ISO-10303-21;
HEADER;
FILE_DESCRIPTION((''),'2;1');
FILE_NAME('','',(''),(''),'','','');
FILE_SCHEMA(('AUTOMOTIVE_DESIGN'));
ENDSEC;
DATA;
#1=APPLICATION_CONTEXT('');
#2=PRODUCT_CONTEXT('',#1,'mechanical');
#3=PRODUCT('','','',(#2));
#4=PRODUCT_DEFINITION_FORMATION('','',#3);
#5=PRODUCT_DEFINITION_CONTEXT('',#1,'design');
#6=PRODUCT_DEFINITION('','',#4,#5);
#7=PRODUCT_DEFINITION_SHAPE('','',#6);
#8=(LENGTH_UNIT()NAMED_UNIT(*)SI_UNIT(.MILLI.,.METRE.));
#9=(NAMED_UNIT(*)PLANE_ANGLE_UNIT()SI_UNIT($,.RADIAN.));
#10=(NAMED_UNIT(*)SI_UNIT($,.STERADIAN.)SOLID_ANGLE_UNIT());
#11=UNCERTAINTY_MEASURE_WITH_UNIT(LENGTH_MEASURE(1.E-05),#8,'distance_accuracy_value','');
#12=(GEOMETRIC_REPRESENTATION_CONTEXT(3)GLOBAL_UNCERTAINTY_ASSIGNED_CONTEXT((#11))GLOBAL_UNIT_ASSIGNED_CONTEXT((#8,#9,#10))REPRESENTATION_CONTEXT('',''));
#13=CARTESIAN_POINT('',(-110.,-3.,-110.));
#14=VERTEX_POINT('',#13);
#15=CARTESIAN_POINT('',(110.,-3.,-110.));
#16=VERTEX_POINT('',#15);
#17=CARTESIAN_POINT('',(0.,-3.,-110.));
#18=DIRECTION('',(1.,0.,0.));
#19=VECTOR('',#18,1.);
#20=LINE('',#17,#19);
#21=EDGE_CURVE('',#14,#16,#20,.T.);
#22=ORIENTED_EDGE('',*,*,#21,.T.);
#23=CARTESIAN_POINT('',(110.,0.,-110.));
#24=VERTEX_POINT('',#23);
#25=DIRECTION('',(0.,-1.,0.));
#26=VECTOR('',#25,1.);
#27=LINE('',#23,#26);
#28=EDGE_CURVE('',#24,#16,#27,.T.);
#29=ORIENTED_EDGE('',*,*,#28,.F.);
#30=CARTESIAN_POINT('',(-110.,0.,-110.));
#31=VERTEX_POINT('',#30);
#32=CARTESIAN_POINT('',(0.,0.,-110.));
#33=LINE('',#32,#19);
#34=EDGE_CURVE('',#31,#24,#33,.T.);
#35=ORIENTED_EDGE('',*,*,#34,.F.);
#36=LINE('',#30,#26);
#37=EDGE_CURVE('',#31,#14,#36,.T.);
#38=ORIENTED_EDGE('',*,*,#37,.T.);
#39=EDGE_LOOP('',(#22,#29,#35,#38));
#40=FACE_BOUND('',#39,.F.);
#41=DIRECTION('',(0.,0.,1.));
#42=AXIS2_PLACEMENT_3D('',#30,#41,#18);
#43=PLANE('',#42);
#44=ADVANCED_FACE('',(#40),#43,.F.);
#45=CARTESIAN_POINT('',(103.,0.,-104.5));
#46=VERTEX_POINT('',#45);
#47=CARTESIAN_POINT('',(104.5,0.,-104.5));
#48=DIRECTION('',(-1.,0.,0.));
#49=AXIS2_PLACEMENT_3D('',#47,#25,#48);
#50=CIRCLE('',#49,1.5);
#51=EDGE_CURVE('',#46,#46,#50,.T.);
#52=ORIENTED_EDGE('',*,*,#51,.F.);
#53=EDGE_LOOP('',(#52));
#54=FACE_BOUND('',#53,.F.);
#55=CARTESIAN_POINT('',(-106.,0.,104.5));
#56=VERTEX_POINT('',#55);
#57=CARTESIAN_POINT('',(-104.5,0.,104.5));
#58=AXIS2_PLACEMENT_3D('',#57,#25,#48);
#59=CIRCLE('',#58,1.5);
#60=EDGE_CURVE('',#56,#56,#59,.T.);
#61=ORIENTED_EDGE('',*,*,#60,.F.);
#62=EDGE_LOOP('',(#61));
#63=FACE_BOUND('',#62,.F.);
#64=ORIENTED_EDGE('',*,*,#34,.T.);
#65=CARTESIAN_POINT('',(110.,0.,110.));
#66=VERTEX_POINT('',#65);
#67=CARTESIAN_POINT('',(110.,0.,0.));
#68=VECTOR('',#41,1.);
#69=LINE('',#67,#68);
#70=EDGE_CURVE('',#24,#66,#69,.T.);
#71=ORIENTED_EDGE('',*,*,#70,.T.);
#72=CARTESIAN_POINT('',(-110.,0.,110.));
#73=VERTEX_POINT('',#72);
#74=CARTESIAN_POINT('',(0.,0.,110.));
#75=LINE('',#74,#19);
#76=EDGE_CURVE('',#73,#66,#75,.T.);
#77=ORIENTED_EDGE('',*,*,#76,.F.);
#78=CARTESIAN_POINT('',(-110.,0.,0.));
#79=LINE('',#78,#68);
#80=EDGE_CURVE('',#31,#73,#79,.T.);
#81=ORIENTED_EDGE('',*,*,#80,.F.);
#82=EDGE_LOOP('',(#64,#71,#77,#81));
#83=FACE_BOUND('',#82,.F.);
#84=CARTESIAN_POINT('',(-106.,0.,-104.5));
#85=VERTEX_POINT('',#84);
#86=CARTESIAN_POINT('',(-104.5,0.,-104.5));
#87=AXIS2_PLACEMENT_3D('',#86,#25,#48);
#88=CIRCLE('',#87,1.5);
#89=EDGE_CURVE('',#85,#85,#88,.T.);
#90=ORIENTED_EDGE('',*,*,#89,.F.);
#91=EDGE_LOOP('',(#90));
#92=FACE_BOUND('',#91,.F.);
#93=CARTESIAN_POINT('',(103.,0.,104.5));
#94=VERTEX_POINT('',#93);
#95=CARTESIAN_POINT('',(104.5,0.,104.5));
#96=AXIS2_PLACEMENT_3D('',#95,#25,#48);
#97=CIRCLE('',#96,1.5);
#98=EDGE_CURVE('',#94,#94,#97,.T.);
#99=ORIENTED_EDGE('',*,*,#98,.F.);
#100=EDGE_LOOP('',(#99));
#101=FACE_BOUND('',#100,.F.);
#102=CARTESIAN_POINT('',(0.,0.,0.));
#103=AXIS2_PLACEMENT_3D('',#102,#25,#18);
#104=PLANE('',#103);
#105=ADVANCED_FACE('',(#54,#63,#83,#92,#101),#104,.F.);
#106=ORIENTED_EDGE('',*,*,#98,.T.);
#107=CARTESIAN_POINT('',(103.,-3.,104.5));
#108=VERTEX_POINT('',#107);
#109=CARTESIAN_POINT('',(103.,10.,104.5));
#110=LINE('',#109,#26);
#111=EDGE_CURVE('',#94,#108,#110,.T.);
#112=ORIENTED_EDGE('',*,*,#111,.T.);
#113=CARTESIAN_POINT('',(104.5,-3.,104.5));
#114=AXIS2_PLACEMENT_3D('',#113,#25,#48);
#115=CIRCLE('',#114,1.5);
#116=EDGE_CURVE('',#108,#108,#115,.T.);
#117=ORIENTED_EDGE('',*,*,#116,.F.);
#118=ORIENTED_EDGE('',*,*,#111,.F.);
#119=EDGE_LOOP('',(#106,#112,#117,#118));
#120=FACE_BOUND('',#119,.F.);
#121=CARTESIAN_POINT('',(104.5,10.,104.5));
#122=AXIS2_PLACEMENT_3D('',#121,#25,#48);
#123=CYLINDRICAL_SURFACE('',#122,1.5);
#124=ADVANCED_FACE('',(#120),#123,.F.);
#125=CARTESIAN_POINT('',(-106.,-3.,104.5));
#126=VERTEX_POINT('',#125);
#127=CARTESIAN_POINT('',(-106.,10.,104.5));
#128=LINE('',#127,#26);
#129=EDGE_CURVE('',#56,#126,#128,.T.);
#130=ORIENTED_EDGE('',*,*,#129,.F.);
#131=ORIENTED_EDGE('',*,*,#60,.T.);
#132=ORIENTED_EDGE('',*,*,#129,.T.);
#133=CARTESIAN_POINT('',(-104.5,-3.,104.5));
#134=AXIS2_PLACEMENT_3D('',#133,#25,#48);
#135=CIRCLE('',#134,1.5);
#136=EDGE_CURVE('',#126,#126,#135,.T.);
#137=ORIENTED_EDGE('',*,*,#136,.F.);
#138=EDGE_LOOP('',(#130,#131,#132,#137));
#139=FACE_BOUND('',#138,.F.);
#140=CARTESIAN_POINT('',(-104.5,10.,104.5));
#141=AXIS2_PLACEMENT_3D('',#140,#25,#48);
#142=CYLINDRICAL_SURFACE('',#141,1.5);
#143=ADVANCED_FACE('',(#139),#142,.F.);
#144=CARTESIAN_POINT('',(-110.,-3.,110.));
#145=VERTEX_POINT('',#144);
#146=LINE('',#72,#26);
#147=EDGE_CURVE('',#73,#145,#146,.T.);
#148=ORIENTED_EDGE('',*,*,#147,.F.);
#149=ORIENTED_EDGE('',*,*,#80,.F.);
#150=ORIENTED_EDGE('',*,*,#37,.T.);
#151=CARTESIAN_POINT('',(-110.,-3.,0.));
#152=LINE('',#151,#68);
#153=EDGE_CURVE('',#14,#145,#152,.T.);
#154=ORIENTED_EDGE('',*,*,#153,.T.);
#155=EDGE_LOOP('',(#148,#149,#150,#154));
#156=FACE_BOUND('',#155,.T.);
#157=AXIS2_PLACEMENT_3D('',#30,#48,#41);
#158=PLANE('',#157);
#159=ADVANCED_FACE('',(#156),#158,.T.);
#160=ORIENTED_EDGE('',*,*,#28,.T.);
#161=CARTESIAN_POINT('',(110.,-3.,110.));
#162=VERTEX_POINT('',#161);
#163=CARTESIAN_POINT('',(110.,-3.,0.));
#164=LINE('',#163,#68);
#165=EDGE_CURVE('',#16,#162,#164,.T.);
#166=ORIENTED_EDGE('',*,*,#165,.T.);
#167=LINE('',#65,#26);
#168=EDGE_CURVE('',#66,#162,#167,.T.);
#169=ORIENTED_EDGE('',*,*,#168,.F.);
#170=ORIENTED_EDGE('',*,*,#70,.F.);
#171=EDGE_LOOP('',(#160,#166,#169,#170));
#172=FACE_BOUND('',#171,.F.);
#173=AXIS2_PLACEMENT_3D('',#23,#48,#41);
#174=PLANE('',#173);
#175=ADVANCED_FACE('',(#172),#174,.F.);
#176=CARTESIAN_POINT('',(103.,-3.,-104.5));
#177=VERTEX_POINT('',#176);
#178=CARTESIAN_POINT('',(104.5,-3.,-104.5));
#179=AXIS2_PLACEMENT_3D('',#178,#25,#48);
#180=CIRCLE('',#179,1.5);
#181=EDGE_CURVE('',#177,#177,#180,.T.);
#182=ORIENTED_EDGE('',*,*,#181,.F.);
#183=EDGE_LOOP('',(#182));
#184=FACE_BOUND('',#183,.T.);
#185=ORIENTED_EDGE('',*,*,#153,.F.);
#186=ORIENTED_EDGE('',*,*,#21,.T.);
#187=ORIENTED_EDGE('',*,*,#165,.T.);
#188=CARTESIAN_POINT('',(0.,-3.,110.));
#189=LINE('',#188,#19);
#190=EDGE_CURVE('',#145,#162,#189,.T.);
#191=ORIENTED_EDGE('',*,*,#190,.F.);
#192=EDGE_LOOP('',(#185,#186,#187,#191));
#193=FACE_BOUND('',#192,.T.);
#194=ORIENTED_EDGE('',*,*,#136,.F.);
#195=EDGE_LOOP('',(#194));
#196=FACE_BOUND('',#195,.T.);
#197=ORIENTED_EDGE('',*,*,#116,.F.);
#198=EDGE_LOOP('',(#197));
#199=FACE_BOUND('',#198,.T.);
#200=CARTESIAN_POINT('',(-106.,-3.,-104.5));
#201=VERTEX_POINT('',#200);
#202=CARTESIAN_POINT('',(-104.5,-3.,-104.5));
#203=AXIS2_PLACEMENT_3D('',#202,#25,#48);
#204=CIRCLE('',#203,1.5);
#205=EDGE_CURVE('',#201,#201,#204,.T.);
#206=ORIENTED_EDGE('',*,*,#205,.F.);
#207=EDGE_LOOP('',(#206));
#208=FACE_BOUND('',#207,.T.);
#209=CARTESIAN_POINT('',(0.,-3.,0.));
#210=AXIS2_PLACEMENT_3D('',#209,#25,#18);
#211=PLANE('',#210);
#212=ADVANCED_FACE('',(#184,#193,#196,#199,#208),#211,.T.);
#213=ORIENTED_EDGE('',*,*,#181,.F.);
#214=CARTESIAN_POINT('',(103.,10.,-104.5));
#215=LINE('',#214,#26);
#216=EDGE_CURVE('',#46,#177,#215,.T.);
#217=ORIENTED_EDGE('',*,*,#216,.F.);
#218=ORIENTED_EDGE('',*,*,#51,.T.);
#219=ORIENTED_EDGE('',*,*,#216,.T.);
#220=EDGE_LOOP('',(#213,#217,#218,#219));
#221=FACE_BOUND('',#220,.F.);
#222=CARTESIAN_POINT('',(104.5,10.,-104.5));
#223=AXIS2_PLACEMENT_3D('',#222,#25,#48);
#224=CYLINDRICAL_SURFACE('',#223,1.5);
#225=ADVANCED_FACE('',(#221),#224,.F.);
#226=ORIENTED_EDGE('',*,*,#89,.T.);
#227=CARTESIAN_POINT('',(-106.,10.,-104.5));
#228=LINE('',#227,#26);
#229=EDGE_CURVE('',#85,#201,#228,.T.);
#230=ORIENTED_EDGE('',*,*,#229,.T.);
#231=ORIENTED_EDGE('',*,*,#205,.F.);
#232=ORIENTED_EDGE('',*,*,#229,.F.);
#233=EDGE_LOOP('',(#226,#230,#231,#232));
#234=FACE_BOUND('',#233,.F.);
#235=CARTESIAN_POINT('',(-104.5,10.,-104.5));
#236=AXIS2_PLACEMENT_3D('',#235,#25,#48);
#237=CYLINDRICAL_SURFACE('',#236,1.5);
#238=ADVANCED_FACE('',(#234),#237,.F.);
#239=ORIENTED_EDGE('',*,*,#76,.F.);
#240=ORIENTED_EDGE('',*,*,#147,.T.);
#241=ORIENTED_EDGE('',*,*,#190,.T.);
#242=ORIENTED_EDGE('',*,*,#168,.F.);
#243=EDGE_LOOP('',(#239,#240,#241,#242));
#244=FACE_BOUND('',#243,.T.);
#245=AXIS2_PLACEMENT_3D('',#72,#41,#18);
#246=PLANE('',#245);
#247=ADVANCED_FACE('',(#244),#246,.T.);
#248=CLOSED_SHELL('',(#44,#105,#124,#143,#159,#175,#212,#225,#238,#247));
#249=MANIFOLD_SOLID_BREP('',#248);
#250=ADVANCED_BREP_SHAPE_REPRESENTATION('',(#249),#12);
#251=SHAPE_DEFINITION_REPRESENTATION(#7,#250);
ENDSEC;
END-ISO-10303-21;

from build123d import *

# Parameters (mm, degrees)
F0_W     = 220
F0_H     = 220
F1_DEPTH = 3
F2_D     = 3
F2_DEPTH = 10


with BuildPart() as f1:
    # F0 (on Front) → F1 (new body)
    with BuildSketch(Plane.XZ):
        Rectangle(F0_W, F0_H)
    extrude(amount=F1_DEPTH)

    # F2
    with Locations(Plane(origin=(0, 0, 0), x_dir=(1, 0, 0), z_dir=(0, 1, 0))):
        with Locations((-104.5, 104.5), (104.5, 104.5), (104.5, -104.5), (-104.5, -104.5)):
            Hole(F2_D / 2, depth=F2_DEPTH)


solid = f1.part
